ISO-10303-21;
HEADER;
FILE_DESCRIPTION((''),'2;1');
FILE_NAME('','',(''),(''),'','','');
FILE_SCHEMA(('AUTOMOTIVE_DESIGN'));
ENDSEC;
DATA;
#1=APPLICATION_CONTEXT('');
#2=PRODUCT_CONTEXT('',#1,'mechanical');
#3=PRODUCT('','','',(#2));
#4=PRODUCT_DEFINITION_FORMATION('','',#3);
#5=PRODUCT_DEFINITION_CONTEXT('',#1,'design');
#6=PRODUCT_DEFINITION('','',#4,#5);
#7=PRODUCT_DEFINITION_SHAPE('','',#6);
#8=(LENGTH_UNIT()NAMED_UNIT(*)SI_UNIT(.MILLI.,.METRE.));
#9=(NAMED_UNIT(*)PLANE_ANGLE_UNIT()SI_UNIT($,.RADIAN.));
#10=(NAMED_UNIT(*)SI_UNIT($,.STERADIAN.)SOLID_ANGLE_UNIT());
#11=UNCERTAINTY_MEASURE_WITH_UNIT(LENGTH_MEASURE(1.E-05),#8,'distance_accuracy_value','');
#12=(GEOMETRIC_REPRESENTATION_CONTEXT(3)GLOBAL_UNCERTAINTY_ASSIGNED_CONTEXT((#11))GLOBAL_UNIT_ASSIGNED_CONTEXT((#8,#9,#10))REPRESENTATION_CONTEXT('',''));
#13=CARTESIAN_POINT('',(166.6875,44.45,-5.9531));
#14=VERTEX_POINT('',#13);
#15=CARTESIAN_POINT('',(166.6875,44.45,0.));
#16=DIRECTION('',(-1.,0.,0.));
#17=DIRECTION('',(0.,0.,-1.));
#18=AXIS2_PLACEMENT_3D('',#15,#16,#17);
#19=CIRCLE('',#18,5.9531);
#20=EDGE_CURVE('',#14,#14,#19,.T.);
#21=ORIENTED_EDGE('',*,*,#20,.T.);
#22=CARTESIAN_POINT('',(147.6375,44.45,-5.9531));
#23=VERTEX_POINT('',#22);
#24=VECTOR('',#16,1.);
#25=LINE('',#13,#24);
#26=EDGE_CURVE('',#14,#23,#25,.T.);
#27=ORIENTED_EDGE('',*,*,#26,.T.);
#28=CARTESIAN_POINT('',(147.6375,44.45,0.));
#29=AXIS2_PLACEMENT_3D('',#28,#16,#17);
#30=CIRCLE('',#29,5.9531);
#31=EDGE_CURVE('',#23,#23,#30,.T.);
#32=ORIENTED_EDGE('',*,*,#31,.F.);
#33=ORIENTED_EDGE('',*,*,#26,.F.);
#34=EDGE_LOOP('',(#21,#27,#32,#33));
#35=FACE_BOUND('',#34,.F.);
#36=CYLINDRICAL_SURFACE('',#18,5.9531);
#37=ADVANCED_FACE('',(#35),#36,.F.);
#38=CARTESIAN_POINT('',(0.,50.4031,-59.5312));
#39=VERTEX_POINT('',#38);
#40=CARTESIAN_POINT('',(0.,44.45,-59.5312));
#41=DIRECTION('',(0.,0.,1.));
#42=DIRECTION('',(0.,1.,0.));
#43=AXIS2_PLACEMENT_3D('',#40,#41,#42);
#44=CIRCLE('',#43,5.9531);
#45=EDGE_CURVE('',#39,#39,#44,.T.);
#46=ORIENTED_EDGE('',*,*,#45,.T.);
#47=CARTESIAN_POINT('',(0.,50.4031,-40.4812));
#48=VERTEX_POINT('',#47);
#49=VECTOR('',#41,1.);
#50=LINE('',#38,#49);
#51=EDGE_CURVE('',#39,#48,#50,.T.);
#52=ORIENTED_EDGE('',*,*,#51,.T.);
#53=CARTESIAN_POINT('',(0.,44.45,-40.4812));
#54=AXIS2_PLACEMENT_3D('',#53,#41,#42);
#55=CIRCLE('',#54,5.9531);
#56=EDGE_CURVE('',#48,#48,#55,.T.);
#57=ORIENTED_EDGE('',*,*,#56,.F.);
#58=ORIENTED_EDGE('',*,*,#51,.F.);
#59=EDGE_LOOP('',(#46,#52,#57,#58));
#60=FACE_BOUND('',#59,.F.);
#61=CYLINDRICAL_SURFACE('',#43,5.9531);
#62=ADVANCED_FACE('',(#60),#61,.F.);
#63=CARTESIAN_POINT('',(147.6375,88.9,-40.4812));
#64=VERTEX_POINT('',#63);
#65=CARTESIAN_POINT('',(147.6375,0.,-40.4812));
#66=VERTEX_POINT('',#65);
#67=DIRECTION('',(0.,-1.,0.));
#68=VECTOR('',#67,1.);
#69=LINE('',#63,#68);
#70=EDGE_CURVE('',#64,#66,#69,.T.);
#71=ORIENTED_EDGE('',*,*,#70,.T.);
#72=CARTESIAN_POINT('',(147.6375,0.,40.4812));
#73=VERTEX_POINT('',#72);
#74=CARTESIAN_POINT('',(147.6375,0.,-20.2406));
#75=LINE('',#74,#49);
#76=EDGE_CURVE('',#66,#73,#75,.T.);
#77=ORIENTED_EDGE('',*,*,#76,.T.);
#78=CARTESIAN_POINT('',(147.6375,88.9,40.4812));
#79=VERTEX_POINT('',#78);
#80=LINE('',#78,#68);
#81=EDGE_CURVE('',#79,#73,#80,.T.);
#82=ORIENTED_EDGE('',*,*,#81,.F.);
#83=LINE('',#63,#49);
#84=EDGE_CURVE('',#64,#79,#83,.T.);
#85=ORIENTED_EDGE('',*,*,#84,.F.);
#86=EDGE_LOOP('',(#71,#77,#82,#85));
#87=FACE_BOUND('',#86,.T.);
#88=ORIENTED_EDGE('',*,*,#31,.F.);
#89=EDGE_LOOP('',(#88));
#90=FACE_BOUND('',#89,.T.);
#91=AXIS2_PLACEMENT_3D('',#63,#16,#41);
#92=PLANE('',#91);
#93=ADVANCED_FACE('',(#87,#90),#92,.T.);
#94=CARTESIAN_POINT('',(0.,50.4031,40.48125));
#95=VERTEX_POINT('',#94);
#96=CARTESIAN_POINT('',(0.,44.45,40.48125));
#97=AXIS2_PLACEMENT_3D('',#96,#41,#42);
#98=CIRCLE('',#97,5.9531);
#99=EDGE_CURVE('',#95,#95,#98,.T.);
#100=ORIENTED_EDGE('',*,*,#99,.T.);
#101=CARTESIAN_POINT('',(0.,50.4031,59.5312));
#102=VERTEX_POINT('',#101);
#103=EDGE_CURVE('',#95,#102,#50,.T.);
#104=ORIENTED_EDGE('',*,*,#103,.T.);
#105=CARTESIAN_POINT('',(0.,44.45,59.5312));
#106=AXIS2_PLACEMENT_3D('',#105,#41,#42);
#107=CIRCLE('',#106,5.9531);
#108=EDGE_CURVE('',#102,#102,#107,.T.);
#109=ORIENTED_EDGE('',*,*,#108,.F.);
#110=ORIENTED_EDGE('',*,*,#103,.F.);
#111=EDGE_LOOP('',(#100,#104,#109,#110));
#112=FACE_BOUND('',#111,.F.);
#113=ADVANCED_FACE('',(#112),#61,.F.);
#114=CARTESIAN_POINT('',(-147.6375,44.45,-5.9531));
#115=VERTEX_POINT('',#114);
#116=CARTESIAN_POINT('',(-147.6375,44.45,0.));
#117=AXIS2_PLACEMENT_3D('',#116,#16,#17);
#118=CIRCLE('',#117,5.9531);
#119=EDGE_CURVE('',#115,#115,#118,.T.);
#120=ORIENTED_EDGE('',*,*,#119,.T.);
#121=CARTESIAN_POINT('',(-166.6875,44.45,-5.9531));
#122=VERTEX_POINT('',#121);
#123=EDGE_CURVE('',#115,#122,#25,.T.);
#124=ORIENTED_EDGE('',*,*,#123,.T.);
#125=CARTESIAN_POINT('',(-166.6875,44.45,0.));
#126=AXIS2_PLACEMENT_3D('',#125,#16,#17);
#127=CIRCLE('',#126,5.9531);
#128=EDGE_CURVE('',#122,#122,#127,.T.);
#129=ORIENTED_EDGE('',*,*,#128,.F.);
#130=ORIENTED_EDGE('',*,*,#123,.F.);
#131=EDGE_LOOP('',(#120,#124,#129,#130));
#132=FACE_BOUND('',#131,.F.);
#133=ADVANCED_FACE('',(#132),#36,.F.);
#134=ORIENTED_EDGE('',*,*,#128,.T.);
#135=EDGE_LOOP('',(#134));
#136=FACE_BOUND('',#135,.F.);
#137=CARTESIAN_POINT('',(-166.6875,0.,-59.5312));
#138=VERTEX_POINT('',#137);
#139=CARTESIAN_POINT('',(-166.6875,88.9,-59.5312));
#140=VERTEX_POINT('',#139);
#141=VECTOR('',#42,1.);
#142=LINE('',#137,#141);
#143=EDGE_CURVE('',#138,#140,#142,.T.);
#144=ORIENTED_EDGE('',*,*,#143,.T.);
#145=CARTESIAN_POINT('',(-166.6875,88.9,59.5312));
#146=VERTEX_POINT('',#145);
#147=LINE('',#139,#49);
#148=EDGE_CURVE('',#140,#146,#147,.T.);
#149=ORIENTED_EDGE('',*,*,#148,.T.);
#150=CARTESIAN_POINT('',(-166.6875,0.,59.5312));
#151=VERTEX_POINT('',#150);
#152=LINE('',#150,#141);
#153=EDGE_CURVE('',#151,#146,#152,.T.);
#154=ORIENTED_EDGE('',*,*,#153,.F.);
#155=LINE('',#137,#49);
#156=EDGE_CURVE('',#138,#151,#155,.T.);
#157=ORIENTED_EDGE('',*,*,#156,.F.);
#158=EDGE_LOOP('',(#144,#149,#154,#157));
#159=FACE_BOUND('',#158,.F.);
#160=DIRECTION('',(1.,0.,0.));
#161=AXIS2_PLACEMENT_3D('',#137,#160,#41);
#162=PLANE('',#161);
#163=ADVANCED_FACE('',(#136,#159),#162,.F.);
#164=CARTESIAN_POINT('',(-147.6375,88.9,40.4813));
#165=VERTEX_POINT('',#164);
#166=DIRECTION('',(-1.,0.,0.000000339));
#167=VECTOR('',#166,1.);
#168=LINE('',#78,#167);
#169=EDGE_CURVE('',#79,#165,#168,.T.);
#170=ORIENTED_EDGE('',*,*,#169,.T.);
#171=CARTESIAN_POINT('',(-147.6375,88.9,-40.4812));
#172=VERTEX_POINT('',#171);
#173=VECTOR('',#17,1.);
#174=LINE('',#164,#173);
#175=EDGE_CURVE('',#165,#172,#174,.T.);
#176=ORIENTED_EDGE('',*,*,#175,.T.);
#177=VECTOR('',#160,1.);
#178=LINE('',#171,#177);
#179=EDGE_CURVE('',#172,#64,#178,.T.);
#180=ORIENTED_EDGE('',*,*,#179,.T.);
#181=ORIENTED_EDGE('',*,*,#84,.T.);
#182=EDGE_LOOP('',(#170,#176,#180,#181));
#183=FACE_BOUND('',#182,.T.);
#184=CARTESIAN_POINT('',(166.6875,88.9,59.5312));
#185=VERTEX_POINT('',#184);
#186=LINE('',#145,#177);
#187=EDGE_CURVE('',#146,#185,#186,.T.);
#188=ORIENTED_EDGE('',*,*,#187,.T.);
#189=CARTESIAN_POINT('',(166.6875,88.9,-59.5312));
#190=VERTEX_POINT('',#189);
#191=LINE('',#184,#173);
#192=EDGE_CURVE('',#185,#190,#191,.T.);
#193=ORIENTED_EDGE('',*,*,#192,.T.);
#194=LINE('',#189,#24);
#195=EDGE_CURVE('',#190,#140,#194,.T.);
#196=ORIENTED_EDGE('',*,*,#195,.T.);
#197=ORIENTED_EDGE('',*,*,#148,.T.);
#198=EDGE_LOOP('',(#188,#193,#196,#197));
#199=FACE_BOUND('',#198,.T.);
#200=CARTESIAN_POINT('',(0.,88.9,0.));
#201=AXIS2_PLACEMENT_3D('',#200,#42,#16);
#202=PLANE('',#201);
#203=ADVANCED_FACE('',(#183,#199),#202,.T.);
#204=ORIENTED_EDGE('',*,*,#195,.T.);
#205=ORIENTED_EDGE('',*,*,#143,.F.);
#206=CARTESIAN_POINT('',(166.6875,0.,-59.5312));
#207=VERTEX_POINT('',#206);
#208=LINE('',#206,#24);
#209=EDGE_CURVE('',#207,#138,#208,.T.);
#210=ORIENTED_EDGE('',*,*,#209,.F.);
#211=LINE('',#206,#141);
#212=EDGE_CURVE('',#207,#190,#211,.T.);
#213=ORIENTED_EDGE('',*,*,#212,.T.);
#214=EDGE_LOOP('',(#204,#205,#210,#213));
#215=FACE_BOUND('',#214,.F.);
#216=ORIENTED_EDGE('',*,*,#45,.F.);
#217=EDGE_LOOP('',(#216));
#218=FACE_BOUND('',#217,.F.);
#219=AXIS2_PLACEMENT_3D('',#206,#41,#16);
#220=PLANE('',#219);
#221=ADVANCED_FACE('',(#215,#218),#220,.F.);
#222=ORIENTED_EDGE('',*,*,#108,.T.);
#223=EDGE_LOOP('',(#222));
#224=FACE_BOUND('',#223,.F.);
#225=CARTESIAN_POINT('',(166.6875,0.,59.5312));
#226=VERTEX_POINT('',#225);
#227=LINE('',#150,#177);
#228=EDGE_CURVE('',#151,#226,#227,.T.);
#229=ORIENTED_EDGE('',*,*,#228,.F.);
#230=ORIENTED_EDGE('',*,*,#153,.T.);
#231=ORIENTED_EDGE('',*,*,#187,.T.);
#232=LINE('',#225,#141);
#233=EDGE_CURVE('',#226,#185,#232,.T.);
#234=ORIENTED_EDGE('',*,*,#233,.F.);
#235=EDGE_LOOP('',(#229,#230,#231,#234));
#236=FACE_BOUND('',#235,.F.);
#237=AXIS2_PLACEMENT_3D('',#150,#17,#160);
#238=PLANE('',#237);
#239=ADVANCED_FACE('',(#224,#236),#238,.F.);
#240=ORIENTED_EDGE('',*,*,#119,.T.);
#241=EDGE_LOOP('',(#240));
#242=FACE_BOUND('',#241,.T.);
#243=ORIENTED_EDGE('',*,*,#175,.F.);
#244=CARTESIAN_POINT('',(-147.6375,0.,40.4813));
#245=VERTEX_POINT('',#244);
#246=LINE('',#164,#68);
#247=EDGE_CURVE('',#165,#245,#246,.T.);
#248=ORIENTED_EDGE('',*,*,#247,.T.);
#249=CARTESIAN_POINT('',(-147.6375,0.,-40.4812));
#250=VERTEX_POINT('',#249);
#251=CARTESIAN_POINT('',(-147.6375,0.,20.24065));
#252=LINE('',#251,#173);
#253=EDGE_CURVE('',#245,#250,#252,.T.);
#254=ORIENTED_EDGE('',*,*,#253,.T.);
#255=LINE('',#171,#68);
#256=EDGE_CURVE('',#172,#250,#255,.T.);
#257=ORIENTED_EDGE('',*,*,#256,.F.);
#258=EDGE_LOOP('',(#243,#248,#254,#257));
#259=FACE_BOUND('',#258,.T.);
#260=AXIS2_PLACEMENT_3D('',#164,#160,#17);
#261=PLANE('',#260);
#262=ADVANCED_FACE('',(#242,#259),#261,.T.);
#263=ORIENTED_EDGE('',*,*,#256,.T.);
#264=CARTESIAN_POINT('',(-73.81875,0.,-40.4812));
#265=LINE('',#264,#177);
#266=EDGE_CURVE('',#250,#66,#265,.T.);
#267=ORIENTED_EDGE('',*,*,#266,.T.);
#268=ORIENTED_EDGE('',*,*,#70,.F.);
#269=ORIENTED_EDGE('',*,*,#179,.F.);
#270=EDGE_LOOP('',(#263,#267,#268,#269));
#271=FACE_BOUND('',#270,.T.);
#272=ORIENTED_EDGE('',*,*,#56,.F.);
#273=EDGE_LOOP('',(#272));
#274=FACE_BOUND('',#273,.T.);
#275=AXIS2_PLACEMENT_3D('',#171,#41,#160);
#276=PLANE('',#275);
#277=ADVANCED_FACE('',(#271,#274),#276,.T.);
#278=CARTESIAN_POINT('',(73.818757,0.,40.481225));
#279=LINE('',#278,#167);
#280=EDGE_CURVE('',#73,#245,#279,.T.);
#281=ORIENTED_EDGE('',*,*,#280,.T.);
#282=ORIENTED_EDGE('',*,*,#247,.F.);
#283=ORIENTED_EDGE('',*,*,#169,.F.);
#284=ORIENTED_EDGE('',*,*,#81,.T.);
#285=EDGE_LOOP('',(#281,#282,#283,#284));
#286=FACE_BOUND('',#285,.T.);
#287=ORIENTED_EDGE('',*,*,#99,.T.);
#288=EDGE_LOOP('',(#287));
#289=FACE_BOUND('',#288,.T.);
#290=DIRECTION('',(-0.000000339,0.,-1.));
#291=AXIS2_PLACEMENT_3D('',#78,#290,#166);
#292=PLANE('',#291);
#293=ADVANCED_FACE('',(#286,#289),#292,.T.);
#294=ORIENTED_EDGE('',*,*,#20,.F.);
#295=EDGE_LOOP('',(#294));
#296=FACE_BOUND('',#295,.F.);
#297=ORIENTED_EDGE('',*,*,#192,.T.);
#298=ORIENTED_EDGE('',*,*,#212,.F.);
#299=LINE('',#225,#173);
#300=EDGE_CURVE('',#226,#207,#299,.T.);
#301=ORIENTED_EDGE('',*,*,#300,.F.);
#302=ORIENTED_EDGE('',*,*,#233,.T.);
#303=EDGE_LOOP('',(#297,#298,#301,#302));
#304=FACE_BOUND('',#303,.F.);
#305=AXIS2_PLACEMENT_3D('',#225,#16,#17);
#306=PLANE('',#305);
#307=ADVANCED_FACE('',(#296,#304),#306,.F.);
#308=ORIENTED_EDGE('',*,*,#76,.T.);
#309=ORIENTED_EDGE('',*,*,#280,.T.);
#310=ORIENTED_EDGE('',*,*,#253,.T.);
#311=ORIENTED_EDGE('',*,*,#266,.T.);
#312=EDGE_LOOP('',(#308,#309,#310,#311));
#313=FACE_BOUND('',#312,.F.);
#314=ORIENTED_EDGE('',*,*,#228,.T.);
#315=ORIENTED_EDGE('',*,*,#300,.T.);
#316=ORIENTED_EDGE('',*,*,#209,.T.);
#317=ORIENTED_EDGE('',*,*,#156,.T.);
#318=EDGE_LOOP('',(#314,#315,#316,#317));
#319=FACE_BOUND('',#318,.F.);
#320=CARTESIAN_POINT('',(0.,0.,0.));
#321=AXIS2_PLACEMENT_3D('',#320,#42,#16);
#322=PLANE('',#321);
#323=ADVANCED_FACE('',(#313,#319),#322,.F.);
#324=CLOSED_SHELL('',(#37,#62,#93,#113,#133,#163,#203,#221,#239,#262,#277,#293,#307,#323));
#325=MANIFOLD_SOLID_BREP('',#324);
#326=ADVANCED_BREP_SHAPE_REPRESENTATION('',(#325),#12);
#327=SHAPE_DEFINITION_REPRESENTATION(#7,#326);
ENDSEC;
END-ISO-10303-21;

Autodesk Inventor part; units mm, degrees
ref_plane "YZ Plane" through (0, 0, 0) normal (1, 0, 0) x (0, 1, 0)
ref_plane "XZ Plane" through (0, 0, 0) normal (0, 1, 0) x (-1, 0, 0)
ref_plane "XY Plane" through (0, 0, 0) normal (0, 0, 1) x (1, 0, 0)
sketch "Sketch1" plane through (0, 0, 0) normal (0, 1, 0) x (-1, 0, 0)
  line L0 (-166.6875, -59.5312) -> (166.6875, -59.5312)
  line L1 (166.6875, -59.5312) -> (166.6875, 59.5312)
  line L2 (166.6875, 59.5312) -> (-166.6875, 59.5312)
  line L3 (-166.6875, 59.5312) -> (-166.6875, -59.5312)
  line L4 (-166.6875, -59.5312) -> (166.6875, 59.5312) construction
  line L5 (166.6875, -59.5312) -> (-166.6875, 59.5312) construction
  point P0 (0, 0)
  point P1 (0, 0)
  dimension "d0" = 333.375
  dimension "d1" = 119.0625
extrude "Extrusion1" add sketch "Sketch1" along normal blind 88.9
sketch "Sketch2" plane through (0, 88.9, 0) normal (0, 1, 0) x (1, 0, 0)
  line L0 (166.6875, 59.5312) -> (-166.6875, 59.5312) projected
  line L1 (-166.6875, 59.5312) -> (-166.6875, -59.5312) projected
  line L2 (-166.6875, -59.5312) -> (166.6875, -59.5312) projected
  line L3 (166.6875, -59.5312) -> (166.6875, 59.5312) projected
  line L4 (-147.6375, 40.4812) -> (147.6375, 40.4812)
  line L5 (147.6375, 40.4812) -> (147.6375, -40.4812)
  line L6 (147.6375, -40.4812) -> (-147.6375, -40.4813)
  line L7 (-147.6375, -40.4813) -> (-147.6375, 40.4812)
  point P0 (0, 0)
  dimension "d4" = 19.05
  dimension "d5" = 19.05
  dimension "d6" = 19.05
  dimension "d7" = 19.05
extrude "Extrusion2" cut sketch "Sketch2" against normal through all contours L4 L5 L6 L7
sketch "Sketch3" plane through (166.6875, 0, -59.5312) normal (0, 0, -1) x (-1, 0, 0)
  line L0 (0, 88.9) -> (333.375, 0) construction
  line L1 (0, 0) -> (333.375, 88.9) construction
  point P0 (166.6875, 0)
  point P1 (166.6875, 44.45)
hole "Hole1" at (0, 44.45, -59.5312) direction (0, 0, 1) diameter 11.9062 end through all
sketch "Sketch4" plane through (166.6875, 0, 59.5312) normal (1, 0, 0) x (0, 0, -1)
  line L0 (0, 0) -> (119.0625, 88.9) construction
  line L1 (0, 88.9) -> (119.0625, 0) construction
  point P0 (59.5312, 0)
  point P1 (59.5312, 44.45)
hole "Hole2" at (166.6875, 44.45, 0) direction (-1, 0, 0) diameter 11.9062 end through all
sketch "Sketch5" plane through (0, 88.9, 0) normal (0, 1, 0) x (1, 0, 0)
  line L0 (-147.6375, -40.4813) -> (-147.6375, 40.4812) projected
  line L1 (-147.6375, 40.4812) -> (147.6375, 40.4812) projected
  line L2 (147.6375, 40.4812) -> (147.6375, -40.4812) projected
  line L3 (147.6375, -40.4812) -> (-147.6375, -40.4813) projected
  line L4 (166.6875, 59.5312) -> (-166.6875, 59.5312) projected
  line L5 (-166.6875, 59.5312) -> (-166.6875, -59.5312) projected
  line L6 (-166.6875, -59.5312) -> (166.6875, -59.5312) projected
  line L7 (166.6875, -59.5312) -> (166.6875, 59.5312) projected
  line L8 (0, 59.5312) -> (0, -59.5312) construction
  point P0 (0, 0)
equation "\"d5\" = d4"
equation "\"d6\" = d4"
equation "\"d7\" = d4"
properties part number "gyroWheelCradle01" material "Wood (Maple)"
